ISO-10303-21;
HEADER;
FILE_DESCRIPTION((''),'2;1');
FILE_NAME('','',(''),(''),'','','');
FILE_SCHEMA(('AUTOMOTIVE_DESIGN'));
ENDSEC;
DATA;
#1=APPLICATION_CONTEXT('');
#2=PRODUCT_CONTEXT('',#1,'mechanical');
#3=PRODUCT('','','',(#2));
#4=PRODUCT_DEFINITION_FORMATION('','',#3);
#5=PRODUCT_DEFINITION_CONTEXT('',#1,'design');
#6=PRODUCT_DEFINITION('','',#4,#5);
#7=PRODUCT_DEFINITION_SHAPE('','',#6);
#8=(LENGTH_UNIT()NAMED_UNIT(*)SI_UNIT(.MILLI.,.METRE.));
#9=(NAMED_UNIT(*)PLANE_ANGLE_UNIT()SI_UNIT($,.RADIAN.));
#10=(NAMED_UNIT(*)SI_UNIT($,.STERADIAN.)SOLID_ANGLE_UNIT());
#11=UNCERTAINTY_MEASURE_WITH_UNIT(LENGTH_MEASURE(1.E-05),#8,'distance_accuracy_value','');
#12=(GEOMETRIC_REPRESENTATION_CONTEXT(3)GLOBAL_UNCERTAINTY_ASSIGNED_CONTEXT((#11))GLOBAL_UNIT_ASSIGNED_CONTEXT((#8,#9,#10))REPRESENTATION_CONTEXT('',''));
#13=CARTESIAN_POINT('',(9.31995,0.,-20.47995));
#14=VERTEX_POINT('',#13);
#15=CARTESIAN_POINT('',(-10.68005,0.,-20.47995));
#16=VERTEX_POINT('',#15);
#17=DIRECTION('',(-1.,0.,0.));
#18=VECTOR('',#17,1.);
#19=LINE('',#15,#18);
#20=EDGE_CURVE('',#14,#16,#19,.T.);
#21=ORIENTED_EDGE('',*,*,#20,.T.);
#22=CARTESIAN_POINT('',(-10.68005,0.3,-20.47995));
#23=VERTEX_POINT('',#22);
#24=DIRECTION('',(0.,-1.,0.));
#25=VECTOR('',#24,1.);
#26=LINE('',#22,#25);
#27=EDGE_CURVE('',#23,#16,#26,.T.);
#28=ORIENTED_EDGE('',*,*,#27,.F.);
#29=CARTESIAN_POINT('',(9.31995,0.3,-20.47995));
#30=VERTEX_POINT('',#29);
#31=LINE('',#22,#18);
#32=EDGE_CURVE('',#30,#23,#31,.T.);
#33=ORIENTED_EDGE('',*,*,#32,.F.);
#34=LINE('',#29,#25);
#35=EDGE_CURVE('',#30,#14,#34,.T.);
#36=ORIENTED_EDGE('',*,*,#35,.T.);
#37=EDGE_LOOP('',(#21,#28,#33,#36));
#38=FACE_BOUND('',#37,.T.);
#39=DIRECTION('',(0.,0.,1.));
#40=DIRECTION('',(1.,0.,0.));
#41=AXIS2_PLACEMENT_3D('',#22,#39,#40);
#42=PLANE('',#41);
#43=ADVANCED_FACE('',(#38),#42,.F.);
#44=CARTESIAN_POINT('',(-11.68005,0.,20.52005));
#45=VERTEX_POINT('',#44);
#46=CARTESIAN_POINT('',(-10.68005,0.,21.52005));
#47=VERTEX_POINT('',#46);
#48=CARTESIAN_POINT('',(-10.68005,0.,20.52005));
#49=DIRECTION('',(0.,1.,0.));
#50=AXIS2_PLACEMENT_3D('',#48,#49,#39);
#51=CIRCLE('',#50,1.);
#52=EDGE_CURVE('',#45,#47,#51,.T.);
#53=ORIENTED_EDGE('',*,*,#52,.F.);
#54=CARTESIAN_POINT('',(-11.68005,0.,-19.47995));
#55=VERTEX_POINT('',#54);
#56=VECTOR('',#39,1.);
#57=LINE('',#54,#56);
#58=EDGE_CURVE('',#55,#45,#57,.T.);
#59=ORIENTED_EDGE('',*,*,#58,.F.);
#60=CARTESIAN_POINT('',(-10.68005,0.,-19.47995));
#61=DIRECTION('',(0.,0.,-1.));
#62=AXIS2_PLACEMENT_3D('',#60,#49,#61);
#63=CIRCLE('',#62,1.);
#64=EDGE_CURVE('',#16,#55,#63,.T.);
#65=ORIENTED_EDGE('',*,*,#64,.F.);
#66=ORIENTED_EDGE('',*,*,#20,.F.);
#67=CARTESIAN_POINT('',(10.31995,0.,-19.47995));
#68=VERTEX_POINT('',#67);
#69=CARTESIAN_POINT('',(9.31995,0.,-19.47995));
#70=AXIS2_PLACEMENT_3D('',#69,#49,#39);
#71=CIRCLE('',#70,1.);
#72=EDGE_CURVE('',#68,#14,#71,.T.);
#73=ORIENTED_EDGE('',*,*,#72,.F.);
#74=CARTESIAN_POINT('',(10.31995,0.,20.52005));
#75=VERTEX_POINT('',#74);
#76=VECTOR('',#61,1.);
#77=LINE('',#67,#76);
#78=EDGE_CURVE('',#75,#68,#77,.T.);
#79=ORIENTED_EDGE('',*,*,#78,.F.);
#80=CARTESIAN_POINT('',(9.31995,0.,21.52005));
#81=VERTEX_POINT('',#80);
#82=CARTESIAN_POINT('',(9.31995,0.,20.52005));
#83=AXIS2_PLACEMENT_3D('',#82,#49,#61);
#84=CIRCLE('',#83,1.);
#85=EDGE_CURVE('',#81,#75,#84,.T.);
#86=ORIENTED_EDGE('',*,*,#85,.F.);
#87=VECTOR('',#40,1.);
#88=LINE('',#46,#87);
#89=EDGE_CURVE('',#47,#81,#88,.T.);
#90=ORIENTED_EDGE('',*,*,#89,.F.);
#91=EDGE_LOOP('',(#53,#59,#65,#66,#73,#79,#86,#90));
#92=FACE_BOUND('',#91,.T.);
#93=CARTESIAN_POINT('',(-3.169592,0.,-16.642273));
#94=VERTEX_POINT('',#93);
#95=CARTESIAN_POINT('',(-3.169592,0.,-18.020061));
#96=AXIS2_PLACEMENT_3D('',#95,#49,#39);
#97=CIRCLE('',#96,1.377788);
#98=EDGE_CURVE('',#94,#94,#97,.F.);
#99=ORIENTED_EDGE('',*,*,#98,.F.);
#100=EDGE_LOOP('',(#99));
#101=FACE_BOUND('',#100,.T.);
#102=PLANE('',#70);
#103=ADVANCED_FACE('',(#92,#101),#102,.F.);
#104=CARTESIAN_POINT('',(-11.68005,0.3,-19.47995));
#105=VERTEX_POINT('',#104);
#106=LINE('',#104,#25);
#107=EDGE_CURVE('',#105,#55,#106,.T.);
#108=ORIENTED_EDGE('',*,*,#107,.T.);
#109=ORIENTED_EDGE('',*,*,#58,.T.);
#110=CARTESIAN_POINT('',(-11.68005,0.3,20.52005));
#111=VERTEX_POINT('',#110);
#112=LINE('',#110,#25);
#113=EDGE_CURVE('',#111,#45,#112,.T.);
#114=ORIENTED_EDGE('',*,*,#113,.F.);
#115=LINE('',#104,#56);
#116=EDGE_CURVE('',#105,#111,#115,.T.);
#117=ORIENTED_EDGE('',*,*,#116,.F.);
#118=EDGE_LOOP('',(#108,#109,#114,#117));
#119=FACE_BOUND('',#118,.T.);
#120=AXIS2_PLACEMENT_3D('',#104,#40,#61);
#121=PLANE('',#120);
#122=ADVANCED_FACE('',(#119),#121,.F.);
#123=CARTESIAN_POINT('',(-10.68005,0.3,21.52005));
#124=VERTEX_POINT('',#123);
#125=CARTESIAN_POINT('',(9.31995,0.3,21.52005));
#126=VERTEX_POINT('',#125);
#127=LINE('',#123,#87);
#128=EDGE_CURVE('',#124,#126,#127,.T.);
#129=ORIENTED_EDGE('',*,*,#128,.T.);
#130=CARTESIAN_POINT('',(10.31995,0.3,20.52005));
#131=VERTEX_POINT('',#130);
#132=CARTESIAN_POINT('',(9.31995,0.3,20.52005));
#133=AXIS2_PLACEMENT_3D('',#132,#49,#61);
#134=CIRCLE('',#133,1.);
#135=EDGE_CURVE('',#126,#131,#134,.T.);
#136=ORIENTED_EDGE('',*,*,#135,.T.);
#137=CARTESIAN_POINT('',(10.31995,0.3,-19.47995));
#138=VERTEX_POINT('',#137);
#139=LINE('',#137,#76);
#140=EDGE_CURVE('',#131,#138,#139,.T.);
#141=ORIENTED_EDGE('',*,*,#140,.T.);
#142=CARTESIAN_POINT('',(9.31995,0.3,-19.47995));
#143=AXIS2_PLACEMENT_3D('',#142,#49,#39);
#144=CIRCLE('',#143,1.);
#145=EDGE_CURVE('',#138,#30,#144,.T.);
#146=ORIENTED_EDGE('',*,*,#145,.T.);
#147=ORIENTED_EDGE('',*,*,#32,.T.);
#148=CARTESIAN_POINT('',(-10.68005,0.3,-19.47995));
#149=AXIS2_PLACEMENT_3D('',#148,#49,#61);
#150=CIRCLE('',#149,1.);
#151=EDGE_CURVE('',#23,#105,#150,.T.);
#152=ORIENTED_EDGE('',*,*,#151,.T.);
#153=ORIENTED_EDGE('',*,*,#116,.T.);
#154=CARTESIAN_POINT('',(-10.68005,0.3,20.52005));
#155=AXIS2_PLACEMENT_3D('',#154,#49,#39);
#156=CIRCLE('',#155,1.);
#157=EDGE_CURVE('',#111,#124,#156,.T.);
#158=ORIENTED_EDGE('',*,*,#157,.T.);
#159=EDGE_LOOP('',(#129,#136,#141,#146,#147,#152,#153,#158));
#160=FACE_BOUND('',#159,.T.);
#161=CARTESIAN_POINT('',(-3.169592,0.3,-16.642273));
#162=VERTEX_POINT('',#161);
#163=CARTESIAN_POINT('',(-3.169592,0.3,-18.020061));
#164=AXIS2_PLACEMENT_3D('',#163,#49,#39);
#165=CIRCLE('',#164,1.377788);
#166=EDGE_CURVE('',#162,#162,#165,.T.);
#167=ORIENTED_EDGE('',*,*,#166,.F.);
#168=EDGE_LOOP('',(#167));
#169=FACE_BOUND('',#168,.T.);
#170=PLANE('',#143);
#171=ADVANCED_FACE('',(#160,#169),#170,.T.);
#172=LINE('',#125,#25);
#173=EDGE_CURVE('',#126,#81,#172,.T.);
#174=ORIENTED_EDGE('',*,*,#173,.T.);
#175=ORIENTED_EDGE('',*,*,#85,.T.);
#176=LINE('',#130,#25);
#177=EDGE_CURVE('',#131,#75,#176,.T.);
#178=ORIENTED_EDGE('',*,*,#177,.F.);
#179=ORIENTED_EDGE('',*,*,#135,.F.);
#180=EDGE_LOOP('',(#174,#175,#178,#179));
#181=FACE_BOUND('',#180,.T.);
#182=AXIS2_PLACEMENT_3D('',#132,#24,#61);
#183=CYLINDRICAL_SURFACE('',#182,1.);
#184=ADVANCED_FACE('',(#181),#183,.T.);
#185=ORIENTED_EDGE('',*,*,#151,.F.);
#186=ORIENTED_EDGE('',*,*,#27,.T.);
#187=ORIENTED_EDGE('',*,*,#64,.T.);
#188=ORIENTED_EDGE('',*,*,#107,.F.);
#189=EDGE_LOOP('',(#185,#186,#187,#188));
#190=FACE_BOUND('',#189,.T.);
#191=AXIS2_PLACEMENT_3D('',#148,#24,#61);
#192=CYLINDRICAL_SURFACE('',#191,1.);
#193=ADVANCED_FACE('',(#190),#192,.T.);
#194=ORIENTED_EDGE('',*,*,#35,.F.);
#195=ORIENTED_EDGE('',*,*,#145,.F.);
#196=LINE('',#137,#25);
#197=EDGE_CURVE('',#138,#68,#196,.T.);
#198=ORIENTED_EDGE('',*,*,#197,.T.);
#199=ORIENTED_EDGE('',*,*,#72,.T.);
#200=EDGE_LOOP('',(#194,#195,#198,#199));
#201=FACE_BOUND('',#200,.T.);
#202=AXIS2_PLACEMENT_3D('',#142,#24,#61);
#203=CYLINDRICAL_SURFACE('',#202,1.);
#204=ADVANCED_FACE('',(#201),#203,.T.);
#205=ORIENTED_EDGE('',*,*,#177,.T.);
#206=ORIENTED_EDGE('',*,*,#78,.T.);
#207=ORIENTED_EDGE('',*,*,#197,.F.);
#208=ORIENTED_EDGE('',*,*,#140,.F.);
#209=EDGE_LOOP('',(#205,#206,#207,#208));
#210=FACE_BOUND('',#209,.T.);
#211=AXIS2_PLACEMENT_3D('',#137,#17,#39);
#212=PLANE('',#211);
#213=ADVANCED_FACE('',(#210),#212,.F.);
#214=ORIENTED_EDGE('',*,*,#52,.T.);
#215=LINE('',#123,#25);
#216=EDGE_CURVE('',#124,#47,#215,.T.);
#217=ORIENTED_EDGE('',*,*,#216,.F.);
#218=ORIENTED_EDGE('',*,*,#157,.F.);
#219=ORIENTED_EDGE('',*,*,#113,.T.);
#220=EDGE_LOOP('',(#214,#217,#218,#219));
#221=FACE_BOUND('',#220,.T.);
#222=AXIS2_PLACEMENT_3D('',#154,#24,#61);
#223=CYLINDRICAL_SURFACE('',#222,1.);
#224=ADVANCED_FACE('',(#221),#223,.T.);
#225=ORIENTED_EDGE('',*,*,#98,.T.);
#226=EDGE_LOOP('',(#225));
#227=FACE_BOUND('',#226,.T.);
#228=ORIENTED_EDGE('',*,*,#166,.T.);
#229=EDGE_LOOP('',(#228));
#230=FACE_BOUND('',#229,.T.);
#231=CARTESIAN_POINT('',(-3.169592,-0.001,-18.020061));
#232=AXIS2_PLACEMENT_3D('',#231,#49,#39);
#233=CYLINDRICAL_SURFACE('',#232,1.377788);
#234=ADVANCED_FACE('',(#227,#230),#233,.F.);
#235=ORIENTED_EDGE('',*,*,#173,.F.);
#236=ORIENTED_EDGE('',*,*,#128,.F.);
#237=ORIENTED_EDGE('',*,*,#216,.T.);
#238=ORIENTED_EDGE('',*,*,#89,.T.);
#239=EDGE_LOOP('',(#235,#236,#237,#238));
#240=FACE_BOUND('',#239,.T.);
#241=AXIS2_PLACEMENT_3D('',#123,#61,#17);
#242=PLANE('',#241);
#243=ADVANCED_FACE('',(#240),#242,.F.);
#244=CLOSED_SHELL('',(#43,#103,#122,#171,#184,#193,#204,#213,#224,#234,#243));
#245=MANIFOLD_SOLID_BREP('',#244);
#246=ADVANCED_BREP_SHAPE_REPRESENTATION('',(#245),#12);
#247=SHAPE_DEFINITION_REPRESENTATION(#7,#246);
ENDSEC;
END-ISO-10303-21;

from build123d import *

# Parameters (mm, degrees)
BOSS_EXTRUDE1_DEPTH = 0.3
CUT_EXTRUDE1_REACH  = 26.487
SKETCH5_R           = 1.37778755


with BuildPart() as part:
    # Sketch1 → Boss-Extrude1 (new body)
    with BuildSketch(Plane(origin=(0, 0, 0), x_dir=(1, 0, 0), z_dir=(0, 1, 0))):
        with BuildLine():
            Line((-10.68004988, 20.47995012), (9.31995012, 20.47995012))
            ThreePointArc((9.31995012, 20.47995012), (10.027056901, 20.187056901), (10.31995012, 19.47995012))
            Line((10.31995012, 19.47995012), (10.31995012, -20.52004988))
            ThreePointArc((10.31995012, -20.52004988), (10.027056901, -21.227156662), (9.31995012, -21.52004988))
            Line((9.31995012, -21.52004988), (-10.68004988, -21.52004988))
            ThreePointArc((-10.68004988, -21.52004988), (-11.387156662, -21.227156662), (-11.68004988, -20.52004988))
            Line((-11.68004988, -20.52004988), (-11.68004988, 19.47995012))
            ThreePointArc((-11.68004988, 19.47995012), (-11.387156662, 20.187056901), (-10.68004988, 20.47995012))
        make_face()
    extrude(amount=BOSS_EXTRUDE1_DEPTH)

    # Sketch5 → Cut-Extrude1 (cut, up to next)
    with BuildSketch(Plane(origin=(0, 0.3, 0), x_dir=(1, 0, 0), z_dir=(0, 1, 0)), mode=Mode.PRIVATE) as cut_extrude1_sk1:
        with Locations(Location((-3.169591585, 18.020060764, 0), (0, 0, 270))):
            Circle(SKETCH5_R)
    cut_extrude1_tool1 = extrude(cut_extrude1_sk1.sketch, amount=-CUT_EXTRUDE1_REACH, mode=Mode.PRIVATE) & part.part
    add(cut_extrude1_tool1.solids().sort_by_distance((-3.169592, 0.3, -18.020061))[0], mode=Mode.SUBTRACT)


solid = part.part
